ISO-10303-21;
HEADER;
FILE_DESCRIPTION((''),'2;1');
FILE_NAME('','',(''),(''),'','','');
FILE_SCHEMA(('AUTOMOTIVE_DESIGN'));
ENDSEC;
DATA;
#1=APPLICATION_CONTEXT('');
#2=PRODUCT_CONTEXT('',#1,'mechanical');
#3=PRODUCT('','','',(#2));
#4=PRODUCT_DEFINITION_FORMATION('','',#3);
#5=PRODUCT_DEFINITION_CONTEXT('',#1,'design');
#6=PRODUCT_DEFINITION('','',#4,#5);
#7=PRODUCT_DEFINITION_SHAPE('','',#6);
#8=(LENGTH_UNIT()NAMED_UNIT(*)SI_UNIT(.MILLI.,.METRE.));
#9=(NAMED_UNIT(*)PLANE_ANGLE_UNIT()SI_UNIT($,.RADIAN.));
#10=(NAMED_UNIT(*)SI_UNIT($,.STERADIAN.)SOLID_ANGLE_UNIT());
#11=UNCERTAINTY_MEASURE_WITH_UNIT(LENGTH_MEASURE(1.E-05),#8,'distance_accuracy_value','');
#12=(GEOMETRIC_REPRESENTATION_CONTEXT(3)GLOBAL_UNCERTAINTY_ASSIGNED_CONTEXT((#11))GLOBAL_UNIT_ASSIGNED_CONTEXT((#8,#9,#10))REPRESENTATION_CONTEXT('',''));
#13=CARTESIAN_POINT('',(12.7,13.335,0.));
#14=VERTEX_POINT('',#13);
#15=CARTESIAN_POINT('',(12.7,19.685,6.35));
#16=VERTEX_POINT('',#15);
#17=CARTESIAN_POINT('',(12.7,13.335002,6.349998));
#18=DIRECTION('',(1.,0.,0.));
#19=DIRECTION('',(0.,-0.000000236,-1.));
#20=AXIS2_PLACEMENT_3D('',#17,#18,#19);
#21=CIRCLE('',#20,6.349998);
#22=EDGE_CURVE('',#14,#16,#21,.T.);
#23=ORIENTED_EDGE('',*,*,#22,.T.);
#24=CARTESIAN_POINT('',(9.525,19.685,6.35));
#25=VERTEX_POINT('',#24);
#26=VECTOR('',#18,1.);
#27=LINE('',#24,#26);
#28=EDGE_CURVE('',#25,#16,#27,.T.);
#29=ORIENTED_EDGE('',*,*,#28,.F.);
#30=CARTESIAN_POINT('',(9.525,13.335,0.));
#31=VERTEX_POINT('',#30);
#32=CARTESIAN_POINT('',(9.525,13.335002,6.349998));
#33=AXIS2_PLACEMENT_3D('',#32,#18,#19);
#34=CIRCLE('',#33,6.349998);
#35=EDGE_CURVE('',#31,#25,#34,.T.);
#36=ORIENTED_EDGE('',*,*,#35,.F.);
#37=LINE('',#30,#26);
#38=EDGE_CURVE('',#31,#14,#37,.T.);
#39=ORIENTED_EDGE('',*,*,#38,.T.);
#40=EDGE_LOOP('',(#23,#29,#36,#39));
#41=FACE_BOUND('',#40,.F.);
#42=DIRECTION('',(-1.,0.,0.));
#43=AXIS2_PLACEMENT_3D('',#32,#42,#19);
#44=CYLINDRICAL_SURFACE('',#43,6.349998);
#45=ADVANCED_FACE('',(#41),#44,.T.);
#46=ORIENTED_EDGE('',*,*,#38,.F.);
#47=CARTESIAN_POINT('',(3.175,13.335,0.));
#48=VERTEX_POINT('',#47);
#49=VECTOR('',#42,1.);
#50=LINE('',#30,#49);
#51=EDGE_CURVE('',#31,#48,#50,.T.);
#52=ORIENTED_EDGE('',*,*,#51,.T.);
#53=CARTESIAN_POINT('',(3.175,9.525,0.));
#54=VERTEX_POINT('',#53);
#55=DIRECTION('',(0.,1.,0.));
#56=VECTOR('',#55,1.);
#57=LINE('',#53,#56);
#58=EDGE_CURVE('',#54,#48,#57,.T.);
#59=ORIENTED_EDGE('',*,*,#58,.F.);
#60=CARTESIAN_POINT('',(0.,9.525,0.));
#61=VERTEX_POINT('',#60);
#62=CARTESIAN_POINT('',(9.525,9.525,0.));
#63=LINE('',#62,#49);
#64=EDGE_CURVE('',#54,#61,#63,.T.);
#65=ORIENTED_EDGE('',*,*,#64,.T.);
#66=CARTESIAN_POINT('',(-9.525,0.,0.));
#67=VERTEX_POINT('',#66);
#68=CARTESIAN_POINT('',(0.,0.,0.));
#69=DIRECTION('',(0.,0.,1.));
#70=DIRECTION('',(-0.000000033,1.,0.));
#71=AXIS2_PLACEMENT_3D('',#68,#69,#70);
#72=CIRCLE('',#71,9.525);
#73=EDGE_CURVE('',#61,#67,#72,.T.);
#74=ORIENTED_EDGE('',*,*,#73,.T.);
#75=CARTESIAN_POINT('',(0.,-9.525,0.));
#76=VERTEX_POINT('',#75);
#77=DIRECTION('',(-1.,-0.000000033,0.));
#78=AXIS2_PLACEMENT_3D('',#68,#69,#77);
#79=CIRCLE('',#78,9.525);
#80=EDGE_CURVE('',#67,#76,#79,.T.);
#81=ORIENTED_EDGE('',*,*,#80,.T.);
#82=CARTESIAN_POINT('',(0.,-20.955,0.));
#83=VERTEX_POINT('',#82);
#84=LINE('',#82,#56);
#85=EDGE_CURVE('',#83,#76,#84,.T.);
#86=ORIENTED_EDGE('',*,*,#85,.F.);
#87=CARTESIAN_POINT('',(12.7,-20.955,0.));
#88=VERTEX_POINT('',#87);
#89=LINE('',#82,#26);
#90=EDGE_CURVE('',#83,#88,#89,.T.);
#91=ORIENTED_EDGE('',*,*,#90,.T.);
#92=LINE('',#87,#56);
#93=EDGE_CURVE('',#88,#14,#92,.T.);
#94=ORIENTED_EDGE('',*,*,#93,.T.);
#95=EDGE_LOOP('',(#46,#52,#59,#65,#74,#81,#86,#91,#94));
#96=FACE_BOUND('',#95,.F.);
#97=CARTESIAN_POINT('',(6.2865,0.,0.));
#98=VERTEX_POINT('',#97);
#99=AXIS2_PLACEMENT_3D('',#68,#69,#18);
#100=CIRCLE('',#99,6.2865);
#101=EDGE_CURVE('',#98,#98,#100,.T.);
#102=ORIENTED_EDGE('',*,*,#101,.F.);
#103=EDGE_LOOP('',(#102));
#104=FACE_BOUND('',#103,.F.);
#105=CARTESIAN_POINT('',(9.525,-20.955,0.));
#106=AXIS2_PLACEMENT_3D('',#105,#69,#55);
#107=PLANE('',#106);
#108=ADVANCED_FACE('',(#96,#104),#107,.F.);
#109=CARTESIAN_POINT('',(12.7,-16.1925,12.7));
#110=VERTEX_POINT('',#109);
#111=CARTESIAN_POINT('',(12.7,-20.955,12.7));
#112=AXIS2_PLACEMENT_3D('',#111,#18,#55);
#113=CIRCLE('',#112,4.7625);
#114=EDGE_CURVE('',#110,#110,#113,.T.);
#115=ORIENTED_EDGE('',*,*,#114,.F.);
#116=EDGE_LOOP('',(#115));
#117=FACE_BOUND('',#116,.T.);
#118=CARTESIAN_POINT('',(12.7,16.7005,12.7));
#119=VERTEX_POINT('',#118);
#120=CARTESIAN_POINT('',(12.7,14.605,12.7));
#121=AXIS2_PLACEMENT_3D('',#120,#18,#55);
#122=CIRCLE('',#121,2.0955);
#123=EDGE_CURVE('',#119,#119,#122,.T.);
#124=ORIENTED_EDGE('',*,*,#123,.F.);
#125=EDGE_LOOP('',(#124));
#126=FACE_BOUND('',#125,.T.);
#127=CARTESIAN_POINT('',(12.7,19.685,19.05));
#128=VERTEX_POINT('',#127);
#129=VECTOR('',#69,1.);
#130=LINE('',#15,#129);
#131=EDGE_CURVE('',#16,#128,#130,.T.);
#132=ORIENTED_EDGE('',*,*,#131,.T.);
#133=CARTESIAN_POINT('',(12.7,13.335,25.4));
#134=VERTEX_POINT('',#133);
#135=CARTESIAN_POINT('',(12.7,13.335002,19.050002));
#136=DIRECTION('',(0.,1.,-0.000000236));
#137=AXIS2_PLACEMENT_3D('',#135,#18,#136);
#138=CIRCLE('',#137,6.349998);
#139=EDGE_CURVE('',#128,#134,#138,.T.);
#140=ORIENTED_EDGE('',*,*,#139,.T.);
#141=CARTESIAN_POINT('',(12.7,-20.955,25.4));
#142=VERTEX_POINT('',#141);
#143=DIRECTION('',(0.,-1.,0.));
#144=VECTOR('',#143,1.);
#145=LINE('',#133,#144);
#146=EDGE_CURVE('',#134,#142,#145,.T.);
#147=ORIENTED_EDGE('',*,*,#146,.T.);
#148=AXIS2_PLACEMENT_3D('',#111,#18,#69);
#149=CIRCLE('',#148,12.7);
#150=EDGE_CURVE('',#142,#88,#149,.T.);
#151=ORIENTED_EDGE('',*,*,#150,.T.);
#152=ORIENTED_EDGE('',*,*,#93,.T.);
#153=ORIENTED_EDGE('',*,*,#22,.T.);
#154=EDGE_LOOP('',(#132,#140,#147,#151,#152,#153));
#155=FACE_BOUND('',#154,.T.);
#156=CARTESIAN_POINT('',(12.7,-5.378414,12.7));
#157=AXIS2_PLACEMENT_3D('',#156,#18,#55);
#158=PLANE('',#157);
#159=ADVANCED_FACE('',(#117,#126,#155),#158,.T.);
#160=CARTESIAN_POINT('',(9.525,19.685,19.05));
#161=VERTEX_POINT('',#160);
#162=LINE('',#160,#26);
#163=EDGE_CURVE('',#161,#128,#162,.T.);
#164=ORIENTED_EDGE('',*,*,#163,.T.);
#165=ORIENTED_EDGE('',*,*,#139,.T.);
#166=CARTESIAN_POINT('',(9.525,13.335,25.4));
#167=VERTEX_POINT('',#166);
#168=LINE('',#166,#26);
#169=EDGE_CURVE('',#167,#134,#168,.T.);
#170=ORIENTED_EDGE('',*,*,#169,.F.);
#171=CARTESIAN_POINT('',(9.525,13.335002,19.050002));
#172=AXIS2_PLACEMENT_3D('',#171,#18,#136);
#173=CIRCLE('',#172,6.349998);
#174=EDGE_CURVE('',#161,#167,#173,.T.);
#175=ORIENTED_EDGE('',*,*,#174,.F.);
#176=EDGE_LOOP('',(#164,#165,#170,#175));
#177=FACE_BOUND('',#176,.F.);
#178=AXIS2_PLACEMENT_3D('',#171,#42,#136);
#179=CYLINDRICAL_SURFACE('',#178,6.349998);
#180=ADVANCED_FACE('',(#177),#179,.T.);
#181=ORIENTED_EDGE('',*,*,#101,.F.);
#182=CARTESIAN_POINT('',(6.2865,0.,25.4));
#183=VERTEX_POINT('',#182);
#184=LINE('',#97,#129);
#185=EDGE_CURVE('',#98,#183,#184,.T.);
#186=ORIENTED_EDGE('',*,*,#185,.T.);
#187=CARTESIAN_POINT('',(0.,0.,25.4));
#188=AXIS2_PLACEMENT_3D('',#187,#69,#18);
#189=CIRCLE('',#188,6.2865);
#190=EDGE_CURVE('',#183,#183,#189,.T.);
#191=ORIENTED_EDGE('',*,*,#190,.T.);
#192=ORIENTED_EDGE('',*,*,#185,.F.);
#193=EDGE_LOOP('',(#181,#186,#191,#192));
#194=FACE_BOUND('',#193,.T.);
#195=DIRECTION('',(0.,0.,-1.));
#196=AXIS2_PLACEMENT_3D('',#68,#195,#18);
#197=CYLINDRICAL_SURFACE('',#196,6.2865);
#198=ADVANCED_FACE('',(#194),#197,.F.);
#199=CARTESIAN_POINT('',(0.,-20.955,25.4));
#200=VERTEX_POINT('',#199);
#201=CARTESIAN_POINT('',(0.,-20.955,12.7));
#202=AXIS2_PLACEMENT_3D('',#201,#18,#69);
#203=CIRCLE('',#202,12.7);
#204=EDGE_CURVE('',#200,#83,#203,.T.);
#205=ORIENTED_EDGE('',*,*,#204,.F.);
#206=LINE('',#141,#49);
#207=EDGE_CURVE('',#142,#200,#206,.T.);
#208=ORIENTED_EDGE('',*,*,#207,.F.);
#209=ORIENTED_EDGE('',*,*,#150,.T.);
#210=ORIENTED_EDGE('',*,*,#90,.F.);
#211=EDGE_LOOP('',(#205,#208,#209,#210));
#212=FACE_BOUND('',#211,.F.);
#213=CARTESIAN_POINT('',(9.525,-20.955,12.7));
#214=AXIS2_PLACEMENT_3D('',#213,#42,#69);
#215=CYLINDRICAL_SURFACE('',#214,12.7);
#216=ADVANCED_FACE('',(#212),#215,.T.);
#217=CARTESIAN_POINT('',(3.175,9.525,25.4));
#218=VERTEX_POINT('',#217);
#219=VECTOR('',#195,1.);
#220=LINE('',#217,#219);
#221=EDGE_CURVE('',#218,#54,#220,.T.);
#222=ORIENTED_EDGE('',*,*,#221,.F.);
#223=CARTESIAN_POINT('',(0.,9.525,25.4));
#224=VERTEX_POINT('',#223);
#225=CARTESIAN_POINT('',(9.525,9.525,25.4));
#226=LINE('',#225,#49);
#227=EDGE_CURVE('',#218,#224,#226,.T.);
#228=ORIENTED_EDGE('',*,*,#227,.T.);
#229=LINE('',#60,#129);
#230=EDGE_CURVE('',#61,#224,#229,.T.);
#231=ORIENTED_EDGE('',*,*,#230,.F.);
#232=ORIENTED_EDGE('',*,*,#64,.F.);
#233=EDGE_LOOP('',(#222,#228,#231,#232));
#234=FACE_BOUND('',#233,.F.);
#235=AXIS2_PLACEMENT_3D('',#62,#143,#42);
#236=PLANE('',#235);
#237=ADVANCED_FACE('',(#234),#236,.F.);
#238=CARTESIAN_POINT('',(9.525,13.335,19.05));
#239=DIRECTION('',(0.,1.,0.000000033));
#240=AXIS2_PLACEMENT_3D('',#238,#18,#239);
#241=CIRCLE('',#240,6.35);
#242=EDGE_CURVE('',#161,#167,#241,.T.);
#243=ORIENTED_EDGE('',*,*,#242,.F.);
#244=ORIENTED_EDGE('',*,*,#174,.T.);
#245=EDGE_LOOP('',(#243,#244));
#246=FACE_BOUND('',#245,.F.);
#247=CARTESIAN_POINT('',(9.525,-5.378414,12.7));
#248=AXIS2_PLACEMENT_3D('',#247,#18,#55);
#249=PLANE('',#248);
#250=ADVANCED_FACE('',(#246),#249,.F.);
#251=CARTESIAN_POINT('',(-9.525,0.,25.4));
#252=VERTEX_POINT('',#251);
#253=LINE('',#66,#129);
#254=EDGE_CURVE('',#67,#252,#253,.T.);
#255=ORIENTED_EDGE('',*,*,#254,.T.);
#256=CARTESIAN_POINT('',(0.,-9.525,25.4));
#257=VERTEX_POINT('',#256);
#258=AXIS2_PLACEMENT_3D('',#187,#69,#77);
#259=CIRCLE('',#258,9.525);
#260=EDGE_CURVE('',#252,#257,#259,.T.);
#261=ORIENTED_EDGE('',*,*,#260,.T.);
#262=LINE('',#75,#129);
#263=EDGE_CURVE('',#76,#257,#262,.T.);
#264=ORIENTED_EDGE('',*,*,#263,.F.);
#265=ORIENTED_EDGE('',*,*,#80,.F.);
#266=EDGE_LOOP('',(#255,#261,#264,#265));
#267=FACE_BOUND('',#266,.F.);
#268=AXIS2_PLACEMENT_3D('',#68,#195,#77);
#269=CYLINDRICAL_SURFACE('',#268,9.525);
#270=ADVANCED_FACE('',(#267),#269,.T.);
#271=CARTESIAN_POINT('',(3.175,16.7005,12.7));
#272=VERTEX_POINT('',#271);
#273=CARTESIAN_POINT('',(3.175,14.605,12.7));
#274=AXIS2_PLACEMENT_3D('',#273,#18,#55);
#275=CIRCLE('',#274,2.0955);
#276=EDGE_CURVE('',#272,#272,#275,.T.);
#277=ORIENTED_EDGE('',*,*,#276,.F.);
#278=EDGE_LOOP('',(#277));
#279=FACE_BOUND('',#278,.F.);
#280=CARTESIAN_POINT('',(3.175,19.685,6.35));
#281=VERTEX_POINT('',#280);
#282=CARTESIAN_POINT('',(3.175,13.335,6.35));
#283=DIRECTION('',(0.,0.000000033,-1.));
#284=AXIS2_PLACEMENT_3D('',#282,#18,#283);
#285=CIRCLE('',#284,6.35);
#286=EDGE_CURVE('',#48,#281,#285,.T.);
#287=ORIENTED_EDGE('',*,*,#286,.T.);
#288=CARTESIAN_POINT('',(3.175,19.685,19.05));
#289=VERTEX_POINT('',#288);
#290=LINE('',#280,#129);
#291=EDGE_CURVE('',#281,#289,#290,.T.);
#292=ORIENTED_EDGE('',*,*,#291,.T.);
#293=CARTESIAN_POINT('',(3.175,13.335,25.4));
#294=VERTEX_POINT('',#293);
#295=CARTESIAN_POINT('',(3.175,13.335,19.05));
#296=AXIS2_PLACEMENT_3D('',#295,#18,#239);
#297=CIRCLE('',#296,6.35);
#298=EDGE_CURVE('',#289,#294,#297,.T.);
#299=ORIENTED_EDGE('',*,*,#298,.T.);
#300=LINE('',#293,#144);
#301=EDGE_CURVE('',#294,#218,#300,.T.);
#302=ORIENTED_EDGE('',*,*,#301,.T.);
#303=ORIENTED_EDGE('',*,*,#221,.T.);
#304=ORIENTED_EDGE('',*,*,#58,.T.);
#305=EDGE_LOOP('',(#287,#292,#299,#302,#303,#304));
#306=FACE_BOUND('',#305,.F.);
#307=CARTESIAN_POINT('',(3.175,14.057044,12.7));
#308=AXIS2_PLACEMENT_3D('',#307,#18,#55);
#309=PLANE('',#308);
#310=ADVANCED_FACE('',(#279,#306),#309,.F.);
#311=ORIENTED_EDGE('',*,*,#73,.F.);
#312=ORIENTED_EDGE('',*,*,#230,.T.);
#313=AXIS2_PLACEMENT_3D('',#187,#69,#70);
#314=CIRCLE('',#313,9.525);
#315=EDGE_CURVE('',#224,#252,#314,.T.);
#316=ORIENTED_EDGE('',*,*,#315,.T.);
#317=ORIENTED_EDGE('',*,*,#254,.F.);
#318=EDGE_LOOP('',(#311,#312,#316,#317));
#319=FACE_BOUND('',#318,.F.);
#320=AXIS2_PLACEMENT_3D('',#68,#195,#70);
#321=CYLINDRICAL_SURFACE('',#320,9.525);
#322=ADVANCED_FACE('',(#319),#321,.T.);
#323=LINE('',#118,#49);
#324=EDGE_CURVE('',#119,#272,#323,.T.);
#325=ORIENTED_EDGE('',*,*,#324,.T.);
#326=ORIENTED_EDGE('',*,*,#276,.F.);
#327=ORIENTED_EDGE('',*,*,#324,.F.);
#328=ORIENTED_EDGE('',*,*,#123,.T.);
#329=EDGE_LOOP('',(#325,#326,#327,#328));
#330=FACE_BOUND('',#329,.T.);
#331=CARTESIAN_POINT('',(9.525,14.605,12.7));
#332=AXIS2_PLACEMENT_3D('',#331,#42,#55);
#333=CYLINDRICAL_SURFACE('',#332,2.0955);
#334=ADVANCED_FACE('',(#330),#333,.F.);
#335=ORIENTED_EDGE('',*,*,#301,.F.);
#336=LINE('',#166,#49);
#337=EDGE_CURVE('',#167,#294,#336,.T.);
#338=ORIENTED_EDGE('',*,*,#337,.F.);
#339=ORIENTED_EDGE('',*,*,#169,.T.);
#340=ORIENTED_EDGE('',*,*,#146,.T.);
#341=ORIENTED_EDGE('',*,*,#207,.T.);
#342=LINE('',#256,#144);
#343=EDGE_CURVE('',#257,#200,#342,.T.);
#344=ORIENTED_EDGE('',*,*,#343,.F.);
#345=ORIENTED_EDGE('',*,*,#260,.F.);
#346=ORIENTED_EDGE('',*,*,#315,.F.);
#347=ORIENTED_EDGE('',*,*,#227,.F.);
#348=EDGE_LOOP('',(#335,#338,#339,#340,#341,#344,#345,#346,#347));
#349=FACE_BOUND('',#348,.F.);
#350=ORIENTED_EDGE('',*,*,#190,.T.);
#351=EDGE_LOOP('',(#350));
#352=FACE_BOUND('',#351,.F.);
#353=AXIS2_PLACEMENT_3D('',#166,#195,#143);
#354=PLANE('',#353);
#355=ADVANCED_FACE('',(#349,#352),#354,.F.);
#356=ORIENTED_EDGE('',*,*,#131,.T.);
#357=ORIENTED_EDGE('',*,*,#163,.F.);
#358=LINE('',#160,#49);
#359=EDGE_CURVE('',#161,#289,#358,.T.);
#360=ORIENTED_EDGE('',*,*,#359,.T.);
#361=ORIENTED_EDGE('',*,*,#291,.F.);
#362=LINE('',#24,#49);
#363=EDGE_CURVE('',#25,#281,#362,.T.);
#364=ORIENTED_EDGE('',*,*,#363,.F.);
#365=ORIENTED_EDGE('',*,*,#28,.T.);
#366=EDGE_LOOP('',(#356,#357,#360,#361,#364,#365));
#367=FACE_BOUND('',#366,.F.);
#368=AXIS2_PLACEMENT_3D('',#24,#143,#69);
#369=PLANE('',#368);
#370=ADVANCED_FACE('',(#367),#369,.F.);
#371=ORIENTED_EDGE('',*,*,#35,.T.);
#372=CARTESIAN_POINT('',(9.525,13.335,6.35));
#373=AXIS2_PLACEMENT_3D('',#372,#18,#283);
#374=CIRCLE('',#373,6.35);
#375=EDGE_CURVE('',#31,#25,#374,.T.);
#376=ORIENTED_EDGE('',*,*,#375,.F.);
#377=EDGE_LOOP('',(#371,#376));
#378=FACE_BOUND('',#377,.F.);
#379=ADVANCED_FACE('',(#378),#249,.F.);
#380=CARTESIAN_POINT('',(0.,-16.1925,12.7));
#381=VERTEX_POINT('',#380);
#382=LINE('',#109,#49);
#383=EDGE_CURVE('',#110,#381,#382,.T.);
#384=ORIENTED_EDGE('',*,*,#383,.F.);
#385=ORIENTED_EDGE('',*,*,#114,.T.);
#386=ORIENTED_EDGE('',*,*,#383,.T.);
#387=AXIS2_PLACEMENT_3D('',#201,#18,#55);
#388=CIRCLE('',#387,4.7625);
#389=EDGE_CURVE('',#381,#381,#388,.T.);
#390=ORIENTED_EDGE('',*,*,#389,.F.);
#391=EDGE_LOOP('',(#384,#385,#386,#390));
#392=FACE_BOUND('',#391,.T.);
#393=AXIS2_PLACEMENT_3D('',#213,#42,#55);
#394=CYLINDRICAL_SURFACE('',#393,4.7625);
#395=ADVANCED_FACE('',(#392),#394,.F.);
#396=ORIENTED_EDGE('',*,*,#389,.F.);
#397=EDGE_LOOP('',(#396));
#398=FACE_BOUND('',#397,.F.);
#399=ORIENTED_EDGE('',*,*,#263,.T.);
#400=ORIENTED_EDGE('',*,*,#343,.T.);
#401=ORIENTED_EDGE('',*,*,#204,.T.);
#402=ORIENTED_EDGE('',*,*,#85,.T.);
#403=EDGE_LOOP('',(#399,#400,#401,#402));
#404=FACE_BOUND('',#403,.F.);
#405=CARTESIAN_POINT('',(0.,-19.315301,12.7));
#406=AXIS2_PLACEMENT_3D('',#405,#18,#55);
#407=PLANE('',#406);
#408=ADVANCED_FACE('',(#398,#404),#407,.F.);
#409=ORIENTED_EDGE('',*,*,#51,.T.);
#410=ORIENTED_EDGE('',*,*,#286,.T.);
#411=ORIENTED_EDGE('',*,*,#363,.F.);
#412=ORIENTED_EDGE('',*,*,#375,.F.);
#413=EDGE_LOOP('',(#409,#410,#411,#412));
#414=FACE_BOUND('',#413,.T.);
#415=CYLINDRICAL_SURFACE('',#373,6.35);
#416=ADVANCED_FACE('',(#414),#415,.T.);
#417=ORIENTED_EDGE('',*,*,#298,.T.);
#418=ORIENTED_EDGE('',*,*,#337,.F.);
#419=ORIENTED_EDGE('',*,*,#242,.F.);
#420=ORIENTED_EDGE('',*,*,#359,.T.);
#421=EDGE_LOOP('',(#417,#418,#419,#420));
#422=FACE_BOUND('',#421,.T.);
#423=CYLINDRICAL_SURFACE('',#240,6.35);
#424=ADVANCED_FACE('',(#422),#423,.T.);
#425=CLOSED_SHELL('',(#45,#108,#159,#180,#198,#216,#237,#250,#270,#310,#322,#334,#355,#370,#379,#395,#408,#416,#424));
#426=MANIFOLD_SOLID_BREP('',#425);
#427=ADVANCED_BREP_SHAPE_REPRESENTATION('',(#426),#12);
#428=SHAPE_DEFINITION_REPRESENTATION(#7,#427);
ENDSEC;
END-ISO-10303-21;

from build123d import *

# Parameters (mm, degrees)
F0_R        = 6.2865
F1_DEPTH    = 25.4
F2_R        = 4.7625
F3_DEPTH    = 9.525
F4_R        = 2.0955
F5_DEPTH    = 6.35
F5_FACE_R   = 4.7625
F5_FACE_R_2 = 2.0955
F6_DEPTH    = 3.175


with BuildPart() as f1:
    # F0 (on Top) → F1 (new body)
    with BuildSketch(Plane.XY):
        with BuildLine():
            Line((9.525, -9.525), (9.525, 9.525))
            Line((9.525, 9.525), (0, 9.525))
            ThreePointArc((0, 9.525), (-6.735192, 6.735192), (-9.525, 0))
            ThreePointArc((-9.525, 0), (-6.735192, -6.735192), (0, -9.525))
            Line((0, -9.525), (9.525, -9.525))
        make_face()
        Circle(F0_R, mode=Mode.SUBTRACT)
    extrude(amount=F1_DEPTH)

    # F2 (on face) → F3 (join)
    with BuildSketch(Plane.YZ.offset(9.525)):
        with BuildLine():
            Line((-9.525, 25.4), (-20.955, 25.4))
            ThreePointArc((-20.955, 25.4), (-33.655, 12.7), (-20.955, 0))
            Line((-20.955, 0), (-9.525, 0))
            Line((-9.525, 0), (-9.525, 25.4))
        make_face()
        with Locations((-20.955, 12.7)):
            Circle(F2_R, mode=Mode.SUBTRACT)
    extrude(amount=-F3_DEPTH)

    # F4 (on face) → F5 (join)
    with BuildSketch(Plane.YZ.offset(9.525)):
        with BuildLine():
            Line((13.335, 25.4), (9.525, 25.4))
            Line((9.525, 25.4), (9.525, 0))
            Line((9.525, 0), (13.335, 0))
            ThreePointArc((13.335, 0), (17.825128, 1.859872), (19.685, 6.35))
            Line((19.685, 6.35), (19.685, 19.05))
            ThreePointArc((19.685, 19.05), (17.825128, 23.540128), (13.335, 25.4))
        make_face()
        with Locations((14.605, 12.7)):
            Circle(F4_R, mode=Mode.SUBTRACT)
    extrude(amount=-F5_DEPTH)

    # F5_face (on face) → F6 (join)
    with BuildSketch(Plane(origin=(9.525, -5.370405, 12.7), x_dir=(0, 1, 0), z_dir=(1, 0, 0))):
        with BuildLine():
            ThreePointArc((-15.584595, 12.7), (-28.284595, 0), (-15.584595, -12.7))
            Line((-15.584595, -12.7), (18.705405, -12.7))
            ThreePointArc((18.705405, -12.7), (23.195534, -10.840128), (25.055405, -6.35))
            Line((25.055405, -6.35), (25.055405, 6.35))
            ThreePointArc((25.055405, 6.35), (23.195534, 10.840128), (18.705405, 12.7))
            Line((18.705405, 12.7), (-15.584595, 12.7))
        make_face()
        with Locations((-15.584595, 0)):
            Circle(F5_FACE_R, mode=Mode.SUBTRACT)
        with Locations((19.975405, 0)):
            Circle(F5_FACE_R_2, mode=Mode.SUBTRACT)
    extrude(amount=F6_DEPTH)


solid = f1.part
